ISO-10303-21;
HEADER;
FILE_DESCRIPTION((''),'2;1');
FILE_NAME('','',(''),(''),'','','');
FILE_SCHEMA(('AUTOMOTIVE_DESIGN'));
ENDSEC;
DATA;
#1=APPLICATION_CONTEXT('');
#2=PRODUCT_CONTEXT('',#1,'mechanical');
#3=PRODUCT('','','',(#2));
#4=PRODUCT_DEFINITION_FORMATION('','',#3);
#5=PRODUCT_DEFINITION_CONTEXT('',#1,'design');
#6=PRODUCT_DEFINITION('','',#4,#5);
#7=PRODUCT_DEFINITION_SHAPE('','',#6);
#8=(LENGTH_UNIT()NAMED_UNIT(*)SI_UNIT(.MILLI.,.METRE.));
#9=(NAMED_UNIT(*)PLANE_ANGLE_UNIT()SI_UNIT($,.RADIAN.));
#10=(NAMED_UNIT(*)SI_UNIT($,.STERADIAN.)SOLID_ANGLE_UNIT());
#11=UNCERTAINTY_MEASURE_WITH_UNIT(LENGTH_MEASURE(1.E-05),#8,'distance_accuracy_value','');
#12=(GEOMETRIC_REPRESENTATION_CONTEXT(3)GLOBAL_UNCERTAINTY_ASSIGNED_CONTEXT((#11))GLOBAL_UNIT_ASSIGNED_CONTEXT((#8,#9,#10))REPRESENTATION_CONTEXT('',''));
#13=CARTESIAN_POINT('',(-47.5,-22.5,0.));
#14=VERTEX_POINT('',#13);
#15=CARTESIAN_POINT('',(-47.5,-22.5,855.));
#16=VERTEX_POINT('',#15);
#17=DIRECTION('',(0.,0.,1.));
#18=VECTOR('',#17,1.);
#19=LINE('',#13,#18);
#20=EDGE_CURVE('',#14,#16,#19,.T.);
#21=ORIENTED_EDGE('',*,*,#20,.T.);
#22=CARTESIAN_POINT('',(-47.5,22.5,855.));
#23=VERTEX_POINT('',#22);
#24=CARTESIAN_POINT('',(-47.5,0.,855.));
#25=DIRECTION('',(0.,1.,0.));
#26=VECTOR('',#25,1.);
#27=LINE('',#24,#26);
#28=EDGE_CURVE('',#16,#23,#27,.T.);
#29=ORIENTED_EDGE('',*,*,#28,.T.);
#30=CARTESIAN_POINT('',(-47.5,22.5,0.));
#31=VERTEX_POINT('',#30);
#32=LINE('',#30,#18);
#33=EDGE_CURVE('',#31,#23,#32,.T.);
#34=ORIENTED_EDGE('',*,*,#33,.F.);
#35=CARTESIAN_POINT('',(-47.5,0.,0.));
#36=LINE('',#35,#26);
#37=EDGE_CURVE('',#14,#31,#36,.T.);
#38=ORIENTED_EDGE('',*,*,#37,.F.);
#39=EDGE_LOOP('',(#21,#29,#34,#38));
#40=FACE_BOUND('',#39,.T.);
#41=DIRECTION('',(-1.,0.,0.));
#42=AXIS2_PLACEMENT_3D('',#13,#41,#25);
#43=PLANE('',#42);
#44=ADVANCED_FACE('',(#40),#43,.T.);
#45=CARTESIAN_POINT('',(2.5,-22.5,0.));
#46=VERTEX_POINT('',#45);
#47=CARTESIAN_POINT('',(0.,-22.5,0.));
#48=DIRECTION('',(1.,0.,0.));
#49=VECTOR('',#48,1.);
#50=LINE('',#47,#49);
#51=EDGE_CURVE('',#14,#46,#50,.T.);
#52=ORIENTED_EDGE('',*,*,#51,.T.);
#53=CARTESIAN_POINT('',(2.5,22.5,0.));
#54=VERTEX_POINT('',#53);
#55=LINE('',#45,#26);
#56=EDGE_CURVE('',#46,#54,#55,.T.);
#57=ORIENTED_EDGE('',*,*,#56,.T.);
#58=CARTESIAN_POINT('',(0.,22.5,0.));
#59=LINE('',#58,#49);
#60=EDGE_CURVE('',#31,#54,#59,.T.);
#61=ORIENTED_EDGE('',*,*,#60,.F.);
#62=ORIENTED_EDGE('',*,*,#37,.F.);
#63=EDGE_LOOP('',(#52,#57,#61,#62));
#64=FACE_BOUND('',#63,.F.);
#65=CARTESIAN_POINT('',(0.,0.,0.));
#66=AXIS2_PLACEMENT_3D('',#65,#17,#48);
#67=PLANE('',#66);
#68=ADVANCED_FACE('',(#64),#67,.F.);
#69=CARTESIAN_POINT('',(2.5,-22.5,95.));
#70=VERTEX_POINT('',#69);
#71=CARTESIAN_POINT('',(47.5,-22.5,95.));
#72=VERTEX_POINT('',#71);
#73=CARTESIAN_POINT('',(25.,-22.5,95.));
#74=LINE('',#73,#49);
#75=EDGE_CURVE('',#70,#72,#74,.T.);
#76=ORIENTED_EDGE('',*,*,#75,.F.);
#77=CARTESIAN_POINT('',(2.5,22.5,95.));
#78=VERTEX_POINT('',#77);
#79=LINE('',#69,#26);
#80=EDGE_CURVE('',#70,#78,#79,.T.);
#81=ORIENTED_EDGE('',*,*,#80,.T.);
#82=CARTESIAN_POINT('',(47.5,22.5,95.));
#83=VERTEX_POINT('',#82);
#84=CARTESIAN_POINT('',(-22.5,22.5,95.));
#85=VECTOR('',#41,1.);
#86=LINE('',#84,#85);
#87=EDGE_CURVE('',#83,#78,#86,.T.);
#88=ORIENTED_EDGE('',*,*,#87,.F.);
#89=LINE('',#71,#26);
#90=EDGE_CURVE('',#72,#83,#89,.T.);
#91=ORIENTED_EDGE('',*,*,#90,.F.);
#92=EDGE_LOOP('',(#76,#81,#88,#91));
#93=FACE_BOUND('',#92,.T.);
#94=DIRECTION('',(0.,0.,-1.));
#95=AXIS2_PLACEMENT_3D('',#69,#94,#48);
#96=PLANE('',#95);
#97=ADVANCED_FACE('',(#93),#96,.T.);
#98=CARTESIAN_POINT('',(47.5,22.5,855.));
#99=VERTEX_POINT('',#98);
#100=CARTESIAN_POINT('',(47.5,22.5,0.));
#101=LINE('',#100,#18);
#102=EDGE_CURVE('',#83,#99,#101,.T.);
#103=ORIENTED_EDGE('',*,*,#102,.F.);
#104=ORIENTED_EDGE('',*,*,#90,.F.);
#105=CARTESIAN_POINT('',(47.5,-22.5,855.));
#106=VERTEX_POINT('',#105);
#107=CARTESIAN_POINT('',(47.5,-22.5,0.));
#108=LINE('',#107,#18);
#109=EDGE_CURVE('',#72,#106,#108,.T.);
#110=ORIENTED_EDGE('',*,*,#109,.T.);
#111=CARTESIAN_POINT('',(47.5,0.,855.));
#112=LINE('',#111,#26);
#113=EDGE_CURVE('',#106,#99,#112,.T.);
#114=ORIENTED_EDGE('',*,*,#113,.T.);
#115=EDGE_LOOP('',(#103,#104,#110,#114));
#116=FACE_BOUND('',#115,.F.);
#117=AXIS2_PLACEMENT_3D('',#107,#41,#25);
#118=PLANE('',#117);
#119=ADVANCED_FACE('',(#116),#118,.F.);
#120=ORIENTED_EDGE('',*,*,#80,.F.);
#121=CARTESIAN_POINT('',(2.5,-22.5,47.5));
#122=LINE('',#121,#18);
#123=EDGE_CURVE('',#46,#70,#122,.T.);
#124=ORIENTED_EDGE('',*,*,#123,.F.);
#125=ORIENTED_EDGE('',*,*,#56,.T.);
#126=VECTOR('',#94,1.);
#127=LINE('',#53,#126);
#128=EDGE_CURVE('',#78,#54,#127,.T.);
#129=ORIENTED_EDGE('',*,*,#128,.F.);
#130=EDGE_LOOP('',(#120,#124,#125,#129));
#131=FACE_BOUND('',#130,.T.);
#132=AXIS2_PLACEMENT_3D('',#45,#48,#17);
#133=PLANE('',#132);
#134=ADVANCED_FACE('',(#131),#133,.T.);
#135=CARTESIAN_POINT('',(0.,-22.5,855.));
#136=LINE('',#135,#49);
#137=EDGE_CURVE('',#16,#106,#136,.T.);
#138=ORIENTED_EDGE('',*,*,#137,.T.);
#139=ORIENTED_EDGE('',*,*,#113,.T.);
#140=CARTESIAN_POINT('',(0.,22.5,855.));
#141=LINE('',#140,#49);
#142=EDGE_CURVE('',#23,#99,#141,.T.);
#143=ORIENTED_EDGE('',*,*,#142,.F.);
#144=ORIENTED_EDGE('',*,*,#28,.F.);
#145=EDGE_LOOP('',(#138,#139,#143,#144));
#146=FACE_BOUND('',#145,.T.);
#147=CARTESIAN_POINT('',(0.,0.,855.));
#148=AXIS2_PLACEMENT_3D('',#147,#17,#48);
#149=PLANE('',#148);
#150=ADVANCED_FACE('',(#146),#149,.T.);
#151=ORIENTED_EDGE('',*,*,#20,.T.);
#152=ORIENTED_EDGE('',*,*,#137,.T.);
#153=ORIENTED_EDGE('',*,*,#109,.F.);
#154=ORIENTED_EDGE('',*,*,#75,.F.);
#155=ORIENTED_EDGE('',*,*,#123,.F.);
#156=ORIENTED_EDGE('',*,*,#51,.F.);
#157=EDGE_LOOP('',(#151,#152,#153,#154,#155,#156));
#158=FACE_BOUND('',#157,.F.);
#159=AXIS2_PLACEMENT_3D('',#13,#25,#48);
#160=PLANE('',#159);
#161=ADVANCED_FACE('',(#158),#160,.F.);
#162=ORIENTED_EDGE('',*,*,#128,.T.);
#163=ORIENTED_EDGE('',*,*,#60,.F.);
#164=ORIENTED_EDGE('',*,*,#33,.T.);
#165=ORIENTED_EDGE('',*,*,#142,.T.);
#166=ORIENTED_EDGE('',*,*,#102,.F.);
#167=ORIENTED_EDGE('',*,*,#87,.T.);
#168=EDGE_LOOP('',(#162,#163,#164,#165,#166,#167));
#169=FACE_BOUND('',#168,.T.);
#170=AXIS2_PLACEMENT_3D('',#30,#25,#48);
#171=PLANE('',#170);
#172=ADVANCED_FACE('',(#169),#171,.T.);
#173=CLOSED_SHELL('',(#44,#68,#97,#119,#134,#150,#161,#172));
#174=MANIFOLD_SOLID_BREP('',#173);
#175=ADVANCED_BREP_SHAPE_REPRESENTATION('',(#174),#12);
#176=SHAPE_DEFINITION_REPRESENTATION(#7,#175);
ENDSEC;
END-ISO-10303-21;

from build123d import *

# Parameters (mm, degrees)
F0_W     = 95
F0_H     = 45
F1_DEPTH = 855
F2_W     = 45
F2_H     = 95
F3_DEPTH = 45.001


with BuildPart() as f1:
    # F0 (on Top) → F1 (new body)
    with BuildSketch(Plane.XY):
        Rectangle(F0_W, F0_H)
    extrude(amount=F1_DEPTH)

    # F2 (on face) → F3 (cut, through all)
    with BuildSketch(Plane.XZ.offset(22.5)):
        with Locations((25, 47.5)):
            Rectangle(F2_W, F2_H)
    extrude(amount=-F3_DEPTH, mode=Mode.SUBTRACT)


solid = f1.part
